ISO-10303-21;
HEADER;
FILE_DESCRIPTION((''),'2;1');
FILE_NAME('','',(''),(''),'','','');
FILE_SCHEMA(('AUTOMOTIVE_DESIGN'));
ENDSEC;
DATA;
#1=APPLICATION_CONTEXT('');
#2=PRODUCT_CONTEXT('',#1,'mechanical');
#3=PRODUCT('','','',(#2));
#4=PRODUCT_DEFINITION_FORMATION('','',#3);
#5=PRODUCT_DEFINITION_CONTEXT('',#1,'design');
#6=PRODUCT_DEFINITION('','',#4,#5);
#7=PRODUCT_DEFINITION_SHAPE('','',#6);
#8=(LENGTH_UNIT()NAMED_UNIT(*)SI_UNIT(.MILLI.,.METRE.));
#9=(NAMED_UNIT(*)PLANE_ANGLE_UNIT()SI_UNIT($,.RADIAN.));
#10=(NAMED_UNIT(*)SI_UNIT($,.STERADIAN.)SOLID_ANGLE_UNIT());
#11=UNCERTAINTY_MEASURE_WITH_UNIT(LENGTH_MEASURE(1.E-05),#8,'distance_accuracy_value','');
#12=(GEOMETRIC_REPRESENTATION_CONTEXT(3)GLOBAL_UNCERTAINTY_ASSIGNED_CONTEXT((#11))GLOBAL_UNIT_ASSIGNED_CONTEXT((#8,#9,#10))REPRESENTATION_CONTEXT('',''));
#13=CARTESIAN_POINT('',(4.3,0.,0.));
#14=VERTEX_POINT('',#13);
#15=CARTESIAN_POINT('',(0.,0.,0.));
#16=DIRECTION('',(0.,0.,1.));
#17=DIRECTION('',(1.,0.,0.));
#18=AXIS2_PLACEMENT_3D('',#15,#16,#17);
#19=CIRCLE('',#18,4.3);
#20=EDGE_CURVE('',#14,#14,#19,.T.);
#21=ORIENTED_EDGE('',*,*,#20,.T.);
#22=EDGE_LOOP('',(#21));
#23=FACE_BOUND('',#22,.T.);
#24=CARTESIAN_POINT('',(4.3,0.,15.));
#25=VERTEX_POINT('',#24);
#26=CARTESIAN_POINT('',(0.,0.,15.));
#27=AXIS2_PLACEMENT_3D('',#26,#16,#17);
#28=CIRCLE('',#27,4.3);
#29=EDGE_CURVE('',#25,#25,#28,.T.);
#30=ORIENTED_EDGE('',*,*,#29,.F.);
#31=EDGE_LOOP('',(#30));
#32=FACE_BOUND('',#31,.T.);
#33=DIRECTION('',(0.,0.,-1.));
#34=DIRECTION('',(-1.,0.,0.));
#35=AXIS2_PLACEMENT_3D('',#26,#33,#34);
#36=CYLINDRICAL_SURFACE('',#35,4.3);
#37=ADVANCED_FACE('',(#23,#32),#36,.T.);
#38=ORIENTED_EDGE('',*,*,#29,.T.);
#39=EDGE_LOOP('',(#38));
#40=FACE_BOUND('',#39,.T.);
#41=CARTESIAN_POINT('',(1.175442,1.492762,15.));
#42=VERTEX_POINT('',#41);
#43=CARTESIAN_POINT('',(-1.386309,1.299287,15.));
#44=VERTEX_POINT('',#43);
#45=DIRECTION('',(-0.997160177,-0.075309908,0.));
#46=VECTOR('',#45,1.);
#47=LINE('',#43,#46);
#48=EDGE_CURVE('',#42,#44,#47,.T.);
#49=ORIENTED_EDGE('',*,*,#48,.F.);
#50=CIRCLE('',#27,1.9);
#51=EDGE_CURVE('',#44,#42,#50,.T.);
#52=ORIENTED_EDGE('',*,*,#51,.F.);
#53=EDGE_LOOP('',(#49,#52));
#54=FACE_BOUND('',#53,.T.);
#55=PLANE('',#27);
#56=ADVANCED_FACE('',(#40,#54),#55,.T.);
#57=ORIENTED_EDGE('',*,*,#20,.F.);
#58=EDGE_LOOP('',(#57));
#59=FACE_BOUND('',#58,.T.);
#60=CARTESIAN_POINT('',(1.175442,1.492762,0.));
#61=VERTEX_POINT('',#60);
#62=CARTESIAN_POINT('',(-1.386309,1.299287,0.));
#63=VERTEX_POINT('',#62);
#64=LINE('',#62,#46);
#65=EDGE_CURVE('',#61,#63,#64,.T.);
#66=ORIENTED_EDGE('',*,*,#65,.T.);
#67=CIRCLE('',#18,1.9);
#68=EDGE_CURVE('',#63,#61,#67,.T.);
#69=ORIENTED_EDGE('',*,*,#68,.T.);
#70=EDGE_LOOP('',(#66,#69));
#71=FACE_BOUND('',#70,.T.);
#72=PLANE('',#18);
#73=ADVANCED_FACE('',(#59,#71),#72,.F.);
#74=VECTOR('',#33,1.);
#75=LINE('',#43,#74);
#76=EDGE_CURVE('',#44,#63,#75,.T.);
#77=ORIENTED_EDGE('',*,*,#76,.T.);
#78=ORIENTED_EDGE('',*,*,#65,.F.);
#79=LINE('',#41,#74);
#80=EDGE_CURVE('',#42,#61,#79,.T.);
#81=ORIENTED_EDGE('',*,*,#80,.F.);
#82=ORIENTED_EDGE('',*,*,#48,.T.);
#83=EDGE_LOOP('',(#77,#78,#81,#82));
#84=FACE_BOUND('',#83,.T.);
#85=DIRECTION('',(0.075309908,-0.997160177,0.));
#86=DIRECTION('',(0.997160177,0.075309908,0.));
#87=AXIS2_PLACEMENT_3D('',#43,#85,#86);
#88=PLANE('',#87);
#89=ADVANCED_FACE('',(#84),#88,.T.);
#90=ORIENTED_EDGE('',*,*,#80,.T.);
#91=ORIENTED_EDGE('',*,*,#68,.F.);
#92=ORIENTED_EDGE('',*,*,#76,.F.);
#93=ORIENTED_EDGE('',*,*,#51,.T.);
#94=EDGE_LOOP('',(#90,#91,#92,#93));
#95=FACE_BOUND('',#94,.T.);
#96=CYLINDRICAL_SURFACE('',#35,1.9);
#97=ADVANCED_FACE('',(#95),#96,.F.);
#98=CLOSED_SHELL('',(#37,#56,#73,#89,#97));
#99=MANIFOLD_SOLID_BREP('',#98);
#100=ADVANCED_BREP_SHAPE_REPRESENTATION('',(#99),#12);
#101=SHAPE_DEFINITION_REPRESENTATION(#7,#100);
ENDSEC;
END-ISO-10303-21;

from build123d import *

# Parameters (mm, degrees)
SKETCH1_R           = 4.3
BOSS_EXTRUDE1_DEPTH = 15


with BuildPart() as part:
    # Sketch1 → Boss-Extrude1 (new body)
    with BuildSketch(Plane.XY):
        Circle(SKETCH1_R)
        with BuildLine():
            Line((-1.38630931, 1.299286918), (1.175441567, 1.492761576))
            ThreePointArc((1.175441567, 1.492761576), (0.143088826, -1.894604335), (-1.38630931, 1.299286918))
        make_face(mode=Mode.SUBTRACT)
    extrude(amount=BOSS_EXTRUDE1_DEPTH)


solid = part.part
